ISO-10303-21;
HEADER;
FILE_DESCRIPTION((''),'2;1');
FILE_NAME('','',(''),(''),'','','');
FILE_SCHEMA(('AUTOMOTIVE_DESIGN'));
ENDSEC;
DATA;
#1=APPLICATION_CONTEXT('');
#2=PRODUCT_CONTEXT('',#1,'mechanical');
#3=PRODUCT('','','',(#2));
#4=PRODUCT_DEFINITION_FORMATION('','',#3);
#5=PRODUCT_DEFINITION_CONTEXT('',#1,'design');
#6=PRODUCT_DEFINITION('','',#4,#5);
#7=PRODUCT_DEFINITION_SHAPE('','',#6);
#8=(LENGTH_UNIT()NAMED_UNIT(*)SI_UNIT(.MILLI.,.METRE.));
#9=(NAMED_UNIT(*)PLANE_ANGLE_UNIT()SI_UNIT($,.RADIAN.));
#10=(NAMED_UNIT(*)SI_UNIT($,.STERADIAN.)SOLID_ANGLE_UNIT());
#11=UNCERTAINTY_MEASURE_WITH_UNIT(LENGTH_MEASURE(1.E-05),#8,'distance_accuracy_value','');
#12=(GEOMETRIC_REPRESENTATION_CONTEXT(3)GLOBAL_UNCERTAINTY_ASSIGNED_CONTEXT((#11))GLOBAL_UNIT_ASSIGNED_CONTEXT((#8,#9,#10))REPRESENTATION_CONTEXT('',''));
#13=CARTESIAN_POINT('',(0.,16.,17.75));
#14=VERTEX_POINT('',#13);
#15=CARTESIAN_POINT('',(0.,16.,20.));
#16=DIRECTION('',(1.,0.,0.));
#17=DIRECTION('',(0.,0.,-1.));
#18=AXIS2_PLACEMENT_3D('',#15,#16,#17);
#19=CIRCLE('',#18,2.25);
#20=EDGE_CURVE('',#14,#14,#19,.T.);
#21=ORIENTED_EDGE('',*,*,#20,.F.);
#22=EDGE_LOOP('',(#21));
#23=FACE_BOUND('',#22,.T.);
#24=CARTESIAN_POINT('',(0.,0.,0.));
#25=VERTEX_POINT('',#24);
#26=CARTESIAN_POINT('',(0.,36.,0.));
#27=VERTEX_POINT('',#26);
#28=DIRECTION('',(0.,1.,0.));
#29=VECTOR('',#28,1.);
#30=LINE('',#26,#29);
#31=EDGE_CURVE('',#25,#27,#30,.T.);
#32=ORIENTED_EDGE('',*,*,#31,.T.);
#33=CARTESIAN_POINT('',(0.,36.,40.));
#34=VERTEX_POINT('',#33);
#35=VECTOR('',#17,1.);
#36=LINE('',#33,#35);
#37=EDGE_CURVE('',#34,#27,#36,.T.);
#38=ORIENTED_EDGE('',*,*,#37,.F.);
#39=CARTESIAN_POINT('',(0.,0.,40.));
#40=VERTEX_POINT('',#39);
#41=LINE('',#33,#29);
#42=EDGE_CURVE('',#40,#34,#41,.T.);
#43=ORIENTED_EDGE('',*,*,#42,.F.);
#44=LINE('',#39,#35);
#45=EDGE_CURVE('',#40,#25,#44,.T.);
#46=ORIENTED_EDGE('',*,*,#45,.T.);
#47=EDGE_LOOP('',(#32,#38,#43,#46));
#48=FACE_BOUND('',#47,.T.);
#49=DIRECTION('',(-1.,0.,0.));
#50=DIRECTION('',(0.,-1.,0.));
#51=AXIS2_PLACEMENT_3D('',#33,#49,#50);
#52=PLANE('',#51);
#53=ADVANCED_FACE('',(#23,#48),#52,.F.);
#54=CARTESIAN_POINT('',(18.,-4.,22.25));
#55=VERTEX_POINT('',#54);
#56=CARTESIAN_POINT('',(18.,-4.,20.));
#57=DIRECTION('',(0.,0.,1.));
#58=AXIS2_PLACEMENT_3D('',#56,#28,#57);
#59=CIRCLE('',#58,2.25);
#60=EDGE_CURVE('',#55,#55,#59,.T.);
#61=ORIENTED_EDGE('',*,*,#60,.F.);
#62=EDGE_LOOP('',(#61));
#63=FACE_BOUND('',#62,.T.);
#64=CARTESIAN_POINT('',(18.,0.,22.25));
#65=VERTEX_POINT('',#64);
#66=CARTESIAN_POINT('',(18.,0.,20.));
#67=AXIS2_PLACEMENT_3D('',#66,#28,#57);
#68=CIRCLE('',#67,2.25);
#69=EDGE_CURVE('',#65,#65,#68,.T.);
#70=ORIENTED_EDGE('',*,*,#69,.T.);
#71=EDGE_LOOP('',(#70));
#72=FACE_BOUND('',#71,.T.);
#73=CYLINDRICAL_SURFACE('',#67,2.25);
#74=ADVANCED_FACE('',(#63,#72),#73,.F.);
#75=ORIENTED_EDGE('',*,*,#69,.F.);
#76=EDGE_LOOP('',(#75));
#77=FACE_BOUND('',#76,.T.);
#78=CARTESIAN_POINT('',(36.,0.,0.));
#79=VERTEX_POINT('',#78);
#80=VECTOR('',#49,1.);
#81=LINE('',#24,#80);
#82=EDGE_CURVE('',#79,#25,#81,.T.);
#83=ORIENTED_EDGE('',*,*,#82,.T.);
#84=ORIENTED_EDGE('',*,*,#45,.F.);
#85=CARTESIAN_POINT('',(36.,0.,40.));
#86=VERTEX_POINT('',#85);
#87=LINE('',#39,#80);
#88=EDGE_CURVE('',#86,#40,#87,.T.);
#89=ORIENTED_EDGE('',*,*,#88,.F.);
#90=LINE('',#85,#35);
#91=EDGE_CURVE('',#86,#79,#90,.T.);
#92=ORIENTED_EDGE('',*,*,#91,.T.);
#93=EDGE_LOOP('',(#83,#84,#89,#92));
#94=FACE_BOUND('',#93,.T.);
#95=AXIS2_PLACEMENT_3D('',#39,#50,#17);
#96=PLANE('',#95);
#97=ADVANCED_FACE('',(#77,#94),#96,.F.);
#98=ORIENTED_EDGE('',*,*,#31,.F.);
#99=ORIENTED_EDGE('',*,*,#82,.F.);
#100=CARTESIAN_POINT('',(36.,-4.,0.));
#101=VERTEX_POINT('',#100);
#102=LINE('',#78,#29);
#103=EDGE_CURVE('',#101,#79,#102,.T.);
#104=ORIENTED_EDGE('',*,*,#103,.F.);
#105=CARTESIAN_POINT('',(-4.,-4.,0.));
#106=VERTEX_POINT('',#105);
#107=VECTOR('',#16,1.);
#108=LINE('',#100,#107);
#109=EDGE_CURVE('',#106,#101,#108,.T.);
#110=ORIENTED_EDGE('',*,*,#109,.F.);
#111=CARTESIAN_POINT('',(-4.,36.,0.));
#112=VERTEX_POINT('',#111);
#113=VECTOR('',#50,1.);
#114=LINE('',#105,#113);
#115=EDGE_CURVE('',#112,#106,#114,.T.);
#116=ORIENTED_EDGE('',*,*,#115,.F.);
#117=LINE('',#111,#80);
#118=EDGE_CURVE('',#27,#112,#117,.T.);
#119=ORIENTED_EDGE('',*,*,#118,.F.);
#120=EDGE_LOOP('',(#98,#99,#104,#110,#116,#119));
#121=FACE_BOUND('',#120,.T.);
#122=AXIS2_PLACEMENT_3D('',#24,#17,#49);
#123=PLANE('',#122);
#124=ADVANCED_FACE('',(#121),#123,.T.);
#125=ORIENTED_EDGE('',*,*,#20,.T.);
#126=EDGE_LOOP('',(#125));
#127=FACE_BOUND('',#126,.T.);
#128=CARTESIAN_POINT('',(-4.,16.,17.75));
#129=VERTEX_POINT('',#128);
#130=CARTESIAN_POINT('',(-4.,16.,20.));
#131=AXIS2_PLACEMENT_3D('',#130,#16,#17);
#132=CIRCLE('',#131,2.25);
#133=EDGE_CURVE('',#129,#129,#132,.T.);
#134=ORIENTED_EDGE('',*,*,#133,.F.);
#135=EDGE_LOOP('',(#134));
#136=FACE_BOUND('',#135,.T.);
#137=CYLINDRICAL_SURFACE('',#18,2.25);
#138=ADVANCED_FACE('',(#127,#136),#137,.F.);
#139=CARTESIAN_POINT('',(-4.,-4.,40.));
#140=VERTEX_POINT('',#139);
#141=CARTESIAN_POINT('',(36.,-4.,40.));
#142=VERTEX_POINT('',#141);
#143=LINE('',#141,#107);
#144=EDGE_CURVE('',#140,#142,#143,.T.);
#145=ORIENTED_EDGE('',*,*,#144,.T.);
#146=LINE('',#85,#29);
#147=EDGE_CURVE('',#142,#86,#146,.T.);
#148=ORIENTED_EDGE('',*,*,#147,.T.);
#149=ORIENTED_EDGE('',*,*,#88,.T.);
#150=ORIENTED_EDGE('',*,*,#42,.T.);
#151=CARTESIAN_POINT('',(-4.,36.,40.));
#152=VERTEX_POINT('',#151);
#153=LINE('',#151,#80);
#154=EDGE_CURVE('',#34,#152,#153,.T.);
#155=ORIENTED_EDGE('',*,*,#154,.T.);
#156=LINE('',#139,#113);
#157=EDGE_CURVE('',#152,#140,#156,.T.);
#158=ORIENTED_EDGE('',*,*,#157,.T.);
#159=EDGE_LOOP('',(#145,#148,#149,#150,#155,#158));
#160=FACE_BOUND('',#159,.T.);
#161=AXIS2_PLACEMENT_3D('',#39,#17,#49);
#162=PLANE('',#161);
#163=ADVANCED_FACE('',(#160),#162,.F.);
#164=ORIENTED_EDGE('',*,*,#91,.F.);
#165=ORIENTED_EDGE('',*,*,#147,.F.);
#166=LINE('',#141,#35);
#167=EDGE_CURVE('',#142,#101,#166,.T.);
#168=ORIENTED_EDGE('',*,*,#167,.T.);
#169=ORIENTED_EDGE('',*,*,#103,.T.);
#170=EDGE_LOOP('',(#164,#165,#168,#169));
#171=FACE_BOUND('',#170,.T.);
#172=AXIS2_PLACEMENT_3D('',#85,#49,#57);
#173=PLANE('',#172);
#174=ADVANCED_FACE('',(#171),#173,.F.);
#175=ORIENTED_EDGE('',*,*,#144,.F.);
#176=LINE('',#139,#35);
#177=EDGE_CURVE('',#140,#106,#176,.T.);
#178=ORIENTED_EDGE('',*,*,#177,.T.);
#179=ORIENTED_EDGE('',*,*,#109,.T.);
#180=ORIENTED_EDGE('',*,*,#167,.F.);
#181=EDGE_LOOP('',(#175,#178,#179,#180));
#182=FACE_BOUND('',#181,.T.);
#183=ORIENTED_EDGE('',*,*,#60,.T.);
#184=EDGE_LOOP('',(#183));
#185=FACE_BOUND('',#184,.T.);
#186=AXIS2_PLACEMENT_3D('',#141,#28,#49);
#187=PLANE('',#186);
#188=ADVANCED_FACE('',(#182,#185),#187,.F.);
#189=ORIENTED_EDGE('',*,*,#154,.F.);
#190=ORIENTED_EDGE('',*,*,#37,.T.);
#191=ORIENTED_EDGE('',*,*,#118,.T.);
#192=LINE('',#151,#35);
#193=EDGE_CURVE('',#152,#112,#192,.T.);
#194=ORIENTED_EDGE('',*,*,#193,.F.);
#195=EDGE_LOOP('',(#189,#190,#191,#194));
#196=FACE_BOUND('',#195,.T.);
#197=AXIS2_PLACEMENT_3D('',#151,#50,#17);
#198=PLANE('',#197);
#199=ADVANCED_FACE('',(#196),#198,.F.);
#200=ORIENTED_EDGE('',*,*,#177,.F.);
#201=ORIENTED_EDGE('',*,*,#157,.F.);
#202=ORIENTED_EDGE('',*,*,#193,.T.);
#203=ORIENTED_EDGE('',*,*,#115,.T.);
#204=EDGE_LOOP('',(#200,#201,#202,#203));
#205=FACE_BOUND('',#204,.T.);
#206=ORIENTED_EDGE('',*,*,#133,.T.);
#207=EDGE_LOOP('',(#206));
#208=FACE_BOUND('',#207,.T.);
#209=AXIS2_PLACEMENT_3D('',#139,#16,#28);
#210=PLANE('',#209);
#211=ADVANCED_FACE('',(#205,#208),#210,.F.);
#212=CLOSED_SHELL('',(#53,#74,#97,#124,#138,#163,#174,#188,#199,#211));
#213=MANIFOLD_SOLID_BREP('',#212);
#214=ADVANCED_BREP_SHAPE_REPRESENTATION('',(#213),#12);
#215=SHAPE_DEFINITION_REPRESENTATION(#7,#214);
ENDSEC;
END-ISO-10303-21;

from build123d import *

# Parameters (mm, degrees)
BOSS_EXTRU_1_DEPTH = 40
D_GAGEMENT_M41_D   = 4.5
D_GAGEMENT_M42_D   = 4.5


with BuildPart() as part:
    # Esquisse1 → Boss.-Extru.1 (new body)
    with BuildSketch(Plane.XY):
        Polygon((0, 36), (0, 0), (36, 0), (36, -4), (-4, -4), (-4, 36), align=None)
    extrude(amount=BOSS_EXTRU_1_DEPTH)

    # Dégagement M41 (through all)
    with Locations(Plane(origin=(0, 0, 0), x_dir=(1, 0, 0), z_dir=(0, 1, 0))):
        with Locations((18, -20)):
            Hole(D_GAGEMENT_M41_D / 2)

    # Dégagement M42 (through all)
    with Locations(Plane(origin=(0, 0, 0), x_dir=(0, 0, -1), z_dir=(1, 0, 0))):
        with Locations((-20, 16)):
            Hole(D_GAGEMENT_M42_D / 2)


solid = part.part
